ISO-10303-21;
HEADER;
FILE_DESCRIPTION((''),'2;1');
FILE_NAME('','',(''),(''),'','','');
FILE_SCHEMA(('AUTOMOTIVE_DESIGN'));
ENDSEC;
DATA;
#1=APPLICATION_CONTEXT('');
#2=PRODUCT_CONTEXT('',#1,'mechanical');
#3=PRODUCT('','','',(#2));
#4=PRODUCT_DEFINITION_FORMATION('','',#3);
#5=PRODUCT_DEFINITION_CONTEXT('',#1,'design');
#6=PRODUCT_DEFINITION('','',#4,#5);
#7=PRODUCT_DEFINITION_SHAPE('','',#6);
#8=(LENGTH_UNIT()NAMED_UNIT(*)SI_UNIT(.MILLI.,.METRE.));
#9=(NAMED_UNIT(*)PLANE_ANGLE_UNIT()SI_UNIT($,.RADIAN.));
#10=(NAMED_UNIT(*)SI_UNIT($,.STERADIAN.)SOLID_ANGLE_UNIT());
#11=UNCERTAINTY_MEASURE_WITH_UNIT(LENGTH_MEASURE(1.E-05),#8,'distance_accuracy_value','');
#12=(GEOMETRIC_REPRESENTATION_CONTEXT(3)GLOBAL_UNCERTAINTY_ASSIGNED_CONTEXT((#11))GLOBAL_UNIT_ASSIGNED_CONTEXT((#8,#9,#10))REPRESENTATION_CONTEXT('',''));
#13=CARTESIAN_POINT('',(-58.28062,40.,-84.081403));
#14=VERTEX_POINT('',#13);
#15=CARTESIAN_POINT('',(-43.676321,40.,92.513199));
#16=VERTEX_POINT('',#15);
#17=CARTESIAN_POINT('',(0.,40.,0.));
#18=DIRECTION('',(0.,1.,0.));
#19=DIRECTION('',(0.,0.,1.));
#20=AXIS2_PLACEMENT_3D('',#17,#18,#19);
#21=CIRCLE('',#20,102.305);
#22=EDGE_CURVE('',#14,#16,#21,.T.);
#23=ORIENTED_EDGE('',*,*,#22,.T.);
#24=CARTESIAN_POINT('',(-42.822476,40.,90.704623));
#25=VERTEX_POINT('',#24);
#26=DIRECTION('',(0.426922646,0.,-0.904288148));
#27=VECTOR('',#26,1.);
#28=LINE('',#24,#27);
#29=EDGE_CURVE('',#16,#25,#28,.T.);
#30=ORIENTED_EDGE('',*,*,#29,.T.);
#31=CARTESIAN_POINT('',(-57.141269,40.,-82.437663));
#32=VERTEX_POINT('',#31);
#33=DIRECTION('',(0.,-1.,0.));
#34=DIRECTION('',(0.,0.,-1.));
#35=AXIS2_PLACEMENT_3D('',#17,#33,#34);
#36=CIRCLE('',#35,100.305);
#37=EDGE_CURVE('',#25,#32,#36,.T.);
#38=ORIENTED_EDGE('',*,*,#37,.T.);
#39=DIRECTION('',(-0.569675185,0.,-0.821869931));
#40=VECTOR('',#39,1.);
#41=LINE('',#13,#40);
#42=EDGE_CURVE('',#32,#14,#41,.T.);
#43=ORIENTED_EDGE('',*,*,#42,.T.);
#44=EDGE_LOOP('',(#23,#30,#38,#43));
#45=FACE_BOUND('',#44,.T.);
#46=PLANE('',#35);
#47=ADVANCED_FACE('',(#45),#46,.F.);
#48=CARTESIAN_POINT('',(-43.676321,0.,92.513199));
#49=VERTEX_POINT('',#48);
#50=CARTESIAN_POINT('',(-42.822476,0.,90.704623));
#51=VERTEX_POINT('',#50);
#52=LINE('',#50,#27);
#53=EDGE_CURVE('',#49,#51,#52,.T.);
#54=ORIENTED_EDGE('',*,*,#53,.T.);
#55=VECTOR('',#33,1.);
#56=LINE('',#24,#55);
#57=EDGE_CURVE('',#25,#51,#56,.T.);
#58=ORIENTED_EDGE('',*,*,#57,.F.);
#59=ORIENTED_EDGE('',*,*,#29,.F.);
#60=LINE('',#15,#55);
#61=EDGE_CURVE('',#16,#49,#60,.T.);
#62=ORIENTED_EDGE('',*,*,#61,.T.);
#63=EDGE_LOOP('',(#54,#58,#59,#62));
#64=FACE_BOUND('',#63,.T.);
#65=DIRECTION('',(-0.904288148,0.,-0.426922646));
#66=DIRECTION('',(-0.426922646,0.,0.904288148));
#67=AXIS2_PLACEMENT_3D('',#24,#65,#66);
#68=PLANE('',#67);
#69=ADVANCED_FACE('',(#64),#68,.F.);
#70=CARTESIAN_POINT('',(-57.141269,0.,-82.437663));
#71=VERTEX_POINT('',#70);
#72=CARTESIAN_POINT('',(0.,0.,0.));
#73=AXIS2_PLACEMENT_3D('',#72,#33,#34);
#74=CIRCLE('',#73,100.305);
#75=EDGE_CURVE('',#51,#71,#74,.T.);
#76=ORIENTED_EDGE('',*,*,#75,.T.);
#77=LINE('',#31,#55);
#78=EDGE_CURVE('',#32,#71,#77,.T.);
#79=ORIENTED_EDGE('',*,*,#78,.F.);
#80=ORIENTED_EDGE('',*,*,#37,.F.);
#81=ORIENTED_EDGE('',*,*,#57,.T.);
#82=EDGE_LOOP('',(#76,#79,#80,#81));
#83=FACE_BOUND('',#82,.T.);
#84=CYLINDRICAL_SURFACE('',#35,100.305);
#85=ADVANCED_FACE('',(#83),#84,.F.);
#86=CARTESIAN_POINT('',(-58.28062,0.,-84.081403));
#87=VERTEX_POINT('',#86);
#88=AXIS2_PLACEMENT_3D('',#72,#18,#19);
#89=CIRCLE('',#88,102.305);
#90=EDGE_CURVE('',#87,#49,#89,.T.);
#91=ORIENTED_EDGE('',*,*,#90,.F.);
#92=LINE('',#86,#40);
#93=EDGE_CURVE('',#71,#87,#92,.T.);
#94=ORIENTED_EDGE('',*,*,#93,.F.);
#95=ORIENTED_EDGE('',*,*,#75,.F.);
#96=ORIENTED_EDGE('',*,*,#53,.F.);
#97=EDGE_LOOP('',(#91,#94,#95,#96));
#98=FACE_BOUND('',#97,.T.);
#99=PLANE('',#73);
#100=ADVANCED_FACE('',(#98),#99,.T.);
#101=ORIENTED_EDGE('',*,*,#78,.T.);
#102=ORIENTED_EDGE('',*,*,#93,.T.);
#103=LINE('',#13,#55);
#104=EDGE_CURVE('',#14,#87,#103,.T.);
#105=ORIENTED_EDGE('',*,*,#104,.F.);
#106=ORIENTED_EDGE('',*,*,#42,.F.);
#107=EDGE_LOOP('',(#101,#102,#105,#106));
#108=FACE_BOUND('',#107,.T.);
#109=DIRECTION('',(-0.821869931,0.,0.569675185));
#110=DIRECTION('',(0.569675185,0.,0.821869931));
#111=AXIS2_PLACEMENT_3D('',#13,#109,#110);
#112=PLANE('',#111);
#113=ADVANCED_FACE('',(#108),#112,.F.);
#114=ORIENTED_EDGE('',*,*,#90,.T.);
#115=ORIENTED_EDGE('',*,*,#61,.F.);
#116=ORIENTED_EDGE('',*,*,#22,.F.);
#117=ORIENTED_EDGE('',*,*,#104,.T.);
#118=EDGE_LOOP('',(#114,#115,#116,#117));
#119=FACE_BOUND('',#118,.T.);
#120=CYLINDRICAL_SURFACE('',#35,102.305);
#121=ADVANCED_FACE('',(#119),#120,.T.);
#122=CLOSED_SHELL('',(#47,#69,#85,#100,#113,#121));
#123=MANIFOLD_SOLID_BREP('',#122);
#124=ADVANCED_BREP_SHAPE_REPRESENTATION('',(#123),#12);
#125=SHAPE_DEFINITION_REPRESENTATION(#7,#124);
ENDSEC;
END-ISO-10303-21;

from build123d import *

# Parameters (mm, degrees)
BOSS_EXTRUDE1_DEPTH = 40


with BuildPart() as part:
    # Sketch2 → Boss-Extrude1 (new body)
    with BuildSketch(Plane(origin=(0, 0, 0), x_dir=(1, 0, 0), z_dir=(0, 1, 0))):
        with BuildLine():
            Line((-58.280619845, 84.081403268), (-57.141269474, 82.437663406))
            ThreePointArc((-57.141269474, 82.437663406), (-99.963745476, -8.266959266), (-42.822476002, -90.704622672))
            Line((-42.822476002, -90.704622672), (-43.676321293, -92.513198968))
            ThreePointArc((-43.676321293, -92.513198968), (-101.956941138, -8.4317957), (-58.280619845, 84.081403268))
        make_face()
    extrude(amount=BOSS_EXTRUDE1_DEPTH)


solid = part.part
